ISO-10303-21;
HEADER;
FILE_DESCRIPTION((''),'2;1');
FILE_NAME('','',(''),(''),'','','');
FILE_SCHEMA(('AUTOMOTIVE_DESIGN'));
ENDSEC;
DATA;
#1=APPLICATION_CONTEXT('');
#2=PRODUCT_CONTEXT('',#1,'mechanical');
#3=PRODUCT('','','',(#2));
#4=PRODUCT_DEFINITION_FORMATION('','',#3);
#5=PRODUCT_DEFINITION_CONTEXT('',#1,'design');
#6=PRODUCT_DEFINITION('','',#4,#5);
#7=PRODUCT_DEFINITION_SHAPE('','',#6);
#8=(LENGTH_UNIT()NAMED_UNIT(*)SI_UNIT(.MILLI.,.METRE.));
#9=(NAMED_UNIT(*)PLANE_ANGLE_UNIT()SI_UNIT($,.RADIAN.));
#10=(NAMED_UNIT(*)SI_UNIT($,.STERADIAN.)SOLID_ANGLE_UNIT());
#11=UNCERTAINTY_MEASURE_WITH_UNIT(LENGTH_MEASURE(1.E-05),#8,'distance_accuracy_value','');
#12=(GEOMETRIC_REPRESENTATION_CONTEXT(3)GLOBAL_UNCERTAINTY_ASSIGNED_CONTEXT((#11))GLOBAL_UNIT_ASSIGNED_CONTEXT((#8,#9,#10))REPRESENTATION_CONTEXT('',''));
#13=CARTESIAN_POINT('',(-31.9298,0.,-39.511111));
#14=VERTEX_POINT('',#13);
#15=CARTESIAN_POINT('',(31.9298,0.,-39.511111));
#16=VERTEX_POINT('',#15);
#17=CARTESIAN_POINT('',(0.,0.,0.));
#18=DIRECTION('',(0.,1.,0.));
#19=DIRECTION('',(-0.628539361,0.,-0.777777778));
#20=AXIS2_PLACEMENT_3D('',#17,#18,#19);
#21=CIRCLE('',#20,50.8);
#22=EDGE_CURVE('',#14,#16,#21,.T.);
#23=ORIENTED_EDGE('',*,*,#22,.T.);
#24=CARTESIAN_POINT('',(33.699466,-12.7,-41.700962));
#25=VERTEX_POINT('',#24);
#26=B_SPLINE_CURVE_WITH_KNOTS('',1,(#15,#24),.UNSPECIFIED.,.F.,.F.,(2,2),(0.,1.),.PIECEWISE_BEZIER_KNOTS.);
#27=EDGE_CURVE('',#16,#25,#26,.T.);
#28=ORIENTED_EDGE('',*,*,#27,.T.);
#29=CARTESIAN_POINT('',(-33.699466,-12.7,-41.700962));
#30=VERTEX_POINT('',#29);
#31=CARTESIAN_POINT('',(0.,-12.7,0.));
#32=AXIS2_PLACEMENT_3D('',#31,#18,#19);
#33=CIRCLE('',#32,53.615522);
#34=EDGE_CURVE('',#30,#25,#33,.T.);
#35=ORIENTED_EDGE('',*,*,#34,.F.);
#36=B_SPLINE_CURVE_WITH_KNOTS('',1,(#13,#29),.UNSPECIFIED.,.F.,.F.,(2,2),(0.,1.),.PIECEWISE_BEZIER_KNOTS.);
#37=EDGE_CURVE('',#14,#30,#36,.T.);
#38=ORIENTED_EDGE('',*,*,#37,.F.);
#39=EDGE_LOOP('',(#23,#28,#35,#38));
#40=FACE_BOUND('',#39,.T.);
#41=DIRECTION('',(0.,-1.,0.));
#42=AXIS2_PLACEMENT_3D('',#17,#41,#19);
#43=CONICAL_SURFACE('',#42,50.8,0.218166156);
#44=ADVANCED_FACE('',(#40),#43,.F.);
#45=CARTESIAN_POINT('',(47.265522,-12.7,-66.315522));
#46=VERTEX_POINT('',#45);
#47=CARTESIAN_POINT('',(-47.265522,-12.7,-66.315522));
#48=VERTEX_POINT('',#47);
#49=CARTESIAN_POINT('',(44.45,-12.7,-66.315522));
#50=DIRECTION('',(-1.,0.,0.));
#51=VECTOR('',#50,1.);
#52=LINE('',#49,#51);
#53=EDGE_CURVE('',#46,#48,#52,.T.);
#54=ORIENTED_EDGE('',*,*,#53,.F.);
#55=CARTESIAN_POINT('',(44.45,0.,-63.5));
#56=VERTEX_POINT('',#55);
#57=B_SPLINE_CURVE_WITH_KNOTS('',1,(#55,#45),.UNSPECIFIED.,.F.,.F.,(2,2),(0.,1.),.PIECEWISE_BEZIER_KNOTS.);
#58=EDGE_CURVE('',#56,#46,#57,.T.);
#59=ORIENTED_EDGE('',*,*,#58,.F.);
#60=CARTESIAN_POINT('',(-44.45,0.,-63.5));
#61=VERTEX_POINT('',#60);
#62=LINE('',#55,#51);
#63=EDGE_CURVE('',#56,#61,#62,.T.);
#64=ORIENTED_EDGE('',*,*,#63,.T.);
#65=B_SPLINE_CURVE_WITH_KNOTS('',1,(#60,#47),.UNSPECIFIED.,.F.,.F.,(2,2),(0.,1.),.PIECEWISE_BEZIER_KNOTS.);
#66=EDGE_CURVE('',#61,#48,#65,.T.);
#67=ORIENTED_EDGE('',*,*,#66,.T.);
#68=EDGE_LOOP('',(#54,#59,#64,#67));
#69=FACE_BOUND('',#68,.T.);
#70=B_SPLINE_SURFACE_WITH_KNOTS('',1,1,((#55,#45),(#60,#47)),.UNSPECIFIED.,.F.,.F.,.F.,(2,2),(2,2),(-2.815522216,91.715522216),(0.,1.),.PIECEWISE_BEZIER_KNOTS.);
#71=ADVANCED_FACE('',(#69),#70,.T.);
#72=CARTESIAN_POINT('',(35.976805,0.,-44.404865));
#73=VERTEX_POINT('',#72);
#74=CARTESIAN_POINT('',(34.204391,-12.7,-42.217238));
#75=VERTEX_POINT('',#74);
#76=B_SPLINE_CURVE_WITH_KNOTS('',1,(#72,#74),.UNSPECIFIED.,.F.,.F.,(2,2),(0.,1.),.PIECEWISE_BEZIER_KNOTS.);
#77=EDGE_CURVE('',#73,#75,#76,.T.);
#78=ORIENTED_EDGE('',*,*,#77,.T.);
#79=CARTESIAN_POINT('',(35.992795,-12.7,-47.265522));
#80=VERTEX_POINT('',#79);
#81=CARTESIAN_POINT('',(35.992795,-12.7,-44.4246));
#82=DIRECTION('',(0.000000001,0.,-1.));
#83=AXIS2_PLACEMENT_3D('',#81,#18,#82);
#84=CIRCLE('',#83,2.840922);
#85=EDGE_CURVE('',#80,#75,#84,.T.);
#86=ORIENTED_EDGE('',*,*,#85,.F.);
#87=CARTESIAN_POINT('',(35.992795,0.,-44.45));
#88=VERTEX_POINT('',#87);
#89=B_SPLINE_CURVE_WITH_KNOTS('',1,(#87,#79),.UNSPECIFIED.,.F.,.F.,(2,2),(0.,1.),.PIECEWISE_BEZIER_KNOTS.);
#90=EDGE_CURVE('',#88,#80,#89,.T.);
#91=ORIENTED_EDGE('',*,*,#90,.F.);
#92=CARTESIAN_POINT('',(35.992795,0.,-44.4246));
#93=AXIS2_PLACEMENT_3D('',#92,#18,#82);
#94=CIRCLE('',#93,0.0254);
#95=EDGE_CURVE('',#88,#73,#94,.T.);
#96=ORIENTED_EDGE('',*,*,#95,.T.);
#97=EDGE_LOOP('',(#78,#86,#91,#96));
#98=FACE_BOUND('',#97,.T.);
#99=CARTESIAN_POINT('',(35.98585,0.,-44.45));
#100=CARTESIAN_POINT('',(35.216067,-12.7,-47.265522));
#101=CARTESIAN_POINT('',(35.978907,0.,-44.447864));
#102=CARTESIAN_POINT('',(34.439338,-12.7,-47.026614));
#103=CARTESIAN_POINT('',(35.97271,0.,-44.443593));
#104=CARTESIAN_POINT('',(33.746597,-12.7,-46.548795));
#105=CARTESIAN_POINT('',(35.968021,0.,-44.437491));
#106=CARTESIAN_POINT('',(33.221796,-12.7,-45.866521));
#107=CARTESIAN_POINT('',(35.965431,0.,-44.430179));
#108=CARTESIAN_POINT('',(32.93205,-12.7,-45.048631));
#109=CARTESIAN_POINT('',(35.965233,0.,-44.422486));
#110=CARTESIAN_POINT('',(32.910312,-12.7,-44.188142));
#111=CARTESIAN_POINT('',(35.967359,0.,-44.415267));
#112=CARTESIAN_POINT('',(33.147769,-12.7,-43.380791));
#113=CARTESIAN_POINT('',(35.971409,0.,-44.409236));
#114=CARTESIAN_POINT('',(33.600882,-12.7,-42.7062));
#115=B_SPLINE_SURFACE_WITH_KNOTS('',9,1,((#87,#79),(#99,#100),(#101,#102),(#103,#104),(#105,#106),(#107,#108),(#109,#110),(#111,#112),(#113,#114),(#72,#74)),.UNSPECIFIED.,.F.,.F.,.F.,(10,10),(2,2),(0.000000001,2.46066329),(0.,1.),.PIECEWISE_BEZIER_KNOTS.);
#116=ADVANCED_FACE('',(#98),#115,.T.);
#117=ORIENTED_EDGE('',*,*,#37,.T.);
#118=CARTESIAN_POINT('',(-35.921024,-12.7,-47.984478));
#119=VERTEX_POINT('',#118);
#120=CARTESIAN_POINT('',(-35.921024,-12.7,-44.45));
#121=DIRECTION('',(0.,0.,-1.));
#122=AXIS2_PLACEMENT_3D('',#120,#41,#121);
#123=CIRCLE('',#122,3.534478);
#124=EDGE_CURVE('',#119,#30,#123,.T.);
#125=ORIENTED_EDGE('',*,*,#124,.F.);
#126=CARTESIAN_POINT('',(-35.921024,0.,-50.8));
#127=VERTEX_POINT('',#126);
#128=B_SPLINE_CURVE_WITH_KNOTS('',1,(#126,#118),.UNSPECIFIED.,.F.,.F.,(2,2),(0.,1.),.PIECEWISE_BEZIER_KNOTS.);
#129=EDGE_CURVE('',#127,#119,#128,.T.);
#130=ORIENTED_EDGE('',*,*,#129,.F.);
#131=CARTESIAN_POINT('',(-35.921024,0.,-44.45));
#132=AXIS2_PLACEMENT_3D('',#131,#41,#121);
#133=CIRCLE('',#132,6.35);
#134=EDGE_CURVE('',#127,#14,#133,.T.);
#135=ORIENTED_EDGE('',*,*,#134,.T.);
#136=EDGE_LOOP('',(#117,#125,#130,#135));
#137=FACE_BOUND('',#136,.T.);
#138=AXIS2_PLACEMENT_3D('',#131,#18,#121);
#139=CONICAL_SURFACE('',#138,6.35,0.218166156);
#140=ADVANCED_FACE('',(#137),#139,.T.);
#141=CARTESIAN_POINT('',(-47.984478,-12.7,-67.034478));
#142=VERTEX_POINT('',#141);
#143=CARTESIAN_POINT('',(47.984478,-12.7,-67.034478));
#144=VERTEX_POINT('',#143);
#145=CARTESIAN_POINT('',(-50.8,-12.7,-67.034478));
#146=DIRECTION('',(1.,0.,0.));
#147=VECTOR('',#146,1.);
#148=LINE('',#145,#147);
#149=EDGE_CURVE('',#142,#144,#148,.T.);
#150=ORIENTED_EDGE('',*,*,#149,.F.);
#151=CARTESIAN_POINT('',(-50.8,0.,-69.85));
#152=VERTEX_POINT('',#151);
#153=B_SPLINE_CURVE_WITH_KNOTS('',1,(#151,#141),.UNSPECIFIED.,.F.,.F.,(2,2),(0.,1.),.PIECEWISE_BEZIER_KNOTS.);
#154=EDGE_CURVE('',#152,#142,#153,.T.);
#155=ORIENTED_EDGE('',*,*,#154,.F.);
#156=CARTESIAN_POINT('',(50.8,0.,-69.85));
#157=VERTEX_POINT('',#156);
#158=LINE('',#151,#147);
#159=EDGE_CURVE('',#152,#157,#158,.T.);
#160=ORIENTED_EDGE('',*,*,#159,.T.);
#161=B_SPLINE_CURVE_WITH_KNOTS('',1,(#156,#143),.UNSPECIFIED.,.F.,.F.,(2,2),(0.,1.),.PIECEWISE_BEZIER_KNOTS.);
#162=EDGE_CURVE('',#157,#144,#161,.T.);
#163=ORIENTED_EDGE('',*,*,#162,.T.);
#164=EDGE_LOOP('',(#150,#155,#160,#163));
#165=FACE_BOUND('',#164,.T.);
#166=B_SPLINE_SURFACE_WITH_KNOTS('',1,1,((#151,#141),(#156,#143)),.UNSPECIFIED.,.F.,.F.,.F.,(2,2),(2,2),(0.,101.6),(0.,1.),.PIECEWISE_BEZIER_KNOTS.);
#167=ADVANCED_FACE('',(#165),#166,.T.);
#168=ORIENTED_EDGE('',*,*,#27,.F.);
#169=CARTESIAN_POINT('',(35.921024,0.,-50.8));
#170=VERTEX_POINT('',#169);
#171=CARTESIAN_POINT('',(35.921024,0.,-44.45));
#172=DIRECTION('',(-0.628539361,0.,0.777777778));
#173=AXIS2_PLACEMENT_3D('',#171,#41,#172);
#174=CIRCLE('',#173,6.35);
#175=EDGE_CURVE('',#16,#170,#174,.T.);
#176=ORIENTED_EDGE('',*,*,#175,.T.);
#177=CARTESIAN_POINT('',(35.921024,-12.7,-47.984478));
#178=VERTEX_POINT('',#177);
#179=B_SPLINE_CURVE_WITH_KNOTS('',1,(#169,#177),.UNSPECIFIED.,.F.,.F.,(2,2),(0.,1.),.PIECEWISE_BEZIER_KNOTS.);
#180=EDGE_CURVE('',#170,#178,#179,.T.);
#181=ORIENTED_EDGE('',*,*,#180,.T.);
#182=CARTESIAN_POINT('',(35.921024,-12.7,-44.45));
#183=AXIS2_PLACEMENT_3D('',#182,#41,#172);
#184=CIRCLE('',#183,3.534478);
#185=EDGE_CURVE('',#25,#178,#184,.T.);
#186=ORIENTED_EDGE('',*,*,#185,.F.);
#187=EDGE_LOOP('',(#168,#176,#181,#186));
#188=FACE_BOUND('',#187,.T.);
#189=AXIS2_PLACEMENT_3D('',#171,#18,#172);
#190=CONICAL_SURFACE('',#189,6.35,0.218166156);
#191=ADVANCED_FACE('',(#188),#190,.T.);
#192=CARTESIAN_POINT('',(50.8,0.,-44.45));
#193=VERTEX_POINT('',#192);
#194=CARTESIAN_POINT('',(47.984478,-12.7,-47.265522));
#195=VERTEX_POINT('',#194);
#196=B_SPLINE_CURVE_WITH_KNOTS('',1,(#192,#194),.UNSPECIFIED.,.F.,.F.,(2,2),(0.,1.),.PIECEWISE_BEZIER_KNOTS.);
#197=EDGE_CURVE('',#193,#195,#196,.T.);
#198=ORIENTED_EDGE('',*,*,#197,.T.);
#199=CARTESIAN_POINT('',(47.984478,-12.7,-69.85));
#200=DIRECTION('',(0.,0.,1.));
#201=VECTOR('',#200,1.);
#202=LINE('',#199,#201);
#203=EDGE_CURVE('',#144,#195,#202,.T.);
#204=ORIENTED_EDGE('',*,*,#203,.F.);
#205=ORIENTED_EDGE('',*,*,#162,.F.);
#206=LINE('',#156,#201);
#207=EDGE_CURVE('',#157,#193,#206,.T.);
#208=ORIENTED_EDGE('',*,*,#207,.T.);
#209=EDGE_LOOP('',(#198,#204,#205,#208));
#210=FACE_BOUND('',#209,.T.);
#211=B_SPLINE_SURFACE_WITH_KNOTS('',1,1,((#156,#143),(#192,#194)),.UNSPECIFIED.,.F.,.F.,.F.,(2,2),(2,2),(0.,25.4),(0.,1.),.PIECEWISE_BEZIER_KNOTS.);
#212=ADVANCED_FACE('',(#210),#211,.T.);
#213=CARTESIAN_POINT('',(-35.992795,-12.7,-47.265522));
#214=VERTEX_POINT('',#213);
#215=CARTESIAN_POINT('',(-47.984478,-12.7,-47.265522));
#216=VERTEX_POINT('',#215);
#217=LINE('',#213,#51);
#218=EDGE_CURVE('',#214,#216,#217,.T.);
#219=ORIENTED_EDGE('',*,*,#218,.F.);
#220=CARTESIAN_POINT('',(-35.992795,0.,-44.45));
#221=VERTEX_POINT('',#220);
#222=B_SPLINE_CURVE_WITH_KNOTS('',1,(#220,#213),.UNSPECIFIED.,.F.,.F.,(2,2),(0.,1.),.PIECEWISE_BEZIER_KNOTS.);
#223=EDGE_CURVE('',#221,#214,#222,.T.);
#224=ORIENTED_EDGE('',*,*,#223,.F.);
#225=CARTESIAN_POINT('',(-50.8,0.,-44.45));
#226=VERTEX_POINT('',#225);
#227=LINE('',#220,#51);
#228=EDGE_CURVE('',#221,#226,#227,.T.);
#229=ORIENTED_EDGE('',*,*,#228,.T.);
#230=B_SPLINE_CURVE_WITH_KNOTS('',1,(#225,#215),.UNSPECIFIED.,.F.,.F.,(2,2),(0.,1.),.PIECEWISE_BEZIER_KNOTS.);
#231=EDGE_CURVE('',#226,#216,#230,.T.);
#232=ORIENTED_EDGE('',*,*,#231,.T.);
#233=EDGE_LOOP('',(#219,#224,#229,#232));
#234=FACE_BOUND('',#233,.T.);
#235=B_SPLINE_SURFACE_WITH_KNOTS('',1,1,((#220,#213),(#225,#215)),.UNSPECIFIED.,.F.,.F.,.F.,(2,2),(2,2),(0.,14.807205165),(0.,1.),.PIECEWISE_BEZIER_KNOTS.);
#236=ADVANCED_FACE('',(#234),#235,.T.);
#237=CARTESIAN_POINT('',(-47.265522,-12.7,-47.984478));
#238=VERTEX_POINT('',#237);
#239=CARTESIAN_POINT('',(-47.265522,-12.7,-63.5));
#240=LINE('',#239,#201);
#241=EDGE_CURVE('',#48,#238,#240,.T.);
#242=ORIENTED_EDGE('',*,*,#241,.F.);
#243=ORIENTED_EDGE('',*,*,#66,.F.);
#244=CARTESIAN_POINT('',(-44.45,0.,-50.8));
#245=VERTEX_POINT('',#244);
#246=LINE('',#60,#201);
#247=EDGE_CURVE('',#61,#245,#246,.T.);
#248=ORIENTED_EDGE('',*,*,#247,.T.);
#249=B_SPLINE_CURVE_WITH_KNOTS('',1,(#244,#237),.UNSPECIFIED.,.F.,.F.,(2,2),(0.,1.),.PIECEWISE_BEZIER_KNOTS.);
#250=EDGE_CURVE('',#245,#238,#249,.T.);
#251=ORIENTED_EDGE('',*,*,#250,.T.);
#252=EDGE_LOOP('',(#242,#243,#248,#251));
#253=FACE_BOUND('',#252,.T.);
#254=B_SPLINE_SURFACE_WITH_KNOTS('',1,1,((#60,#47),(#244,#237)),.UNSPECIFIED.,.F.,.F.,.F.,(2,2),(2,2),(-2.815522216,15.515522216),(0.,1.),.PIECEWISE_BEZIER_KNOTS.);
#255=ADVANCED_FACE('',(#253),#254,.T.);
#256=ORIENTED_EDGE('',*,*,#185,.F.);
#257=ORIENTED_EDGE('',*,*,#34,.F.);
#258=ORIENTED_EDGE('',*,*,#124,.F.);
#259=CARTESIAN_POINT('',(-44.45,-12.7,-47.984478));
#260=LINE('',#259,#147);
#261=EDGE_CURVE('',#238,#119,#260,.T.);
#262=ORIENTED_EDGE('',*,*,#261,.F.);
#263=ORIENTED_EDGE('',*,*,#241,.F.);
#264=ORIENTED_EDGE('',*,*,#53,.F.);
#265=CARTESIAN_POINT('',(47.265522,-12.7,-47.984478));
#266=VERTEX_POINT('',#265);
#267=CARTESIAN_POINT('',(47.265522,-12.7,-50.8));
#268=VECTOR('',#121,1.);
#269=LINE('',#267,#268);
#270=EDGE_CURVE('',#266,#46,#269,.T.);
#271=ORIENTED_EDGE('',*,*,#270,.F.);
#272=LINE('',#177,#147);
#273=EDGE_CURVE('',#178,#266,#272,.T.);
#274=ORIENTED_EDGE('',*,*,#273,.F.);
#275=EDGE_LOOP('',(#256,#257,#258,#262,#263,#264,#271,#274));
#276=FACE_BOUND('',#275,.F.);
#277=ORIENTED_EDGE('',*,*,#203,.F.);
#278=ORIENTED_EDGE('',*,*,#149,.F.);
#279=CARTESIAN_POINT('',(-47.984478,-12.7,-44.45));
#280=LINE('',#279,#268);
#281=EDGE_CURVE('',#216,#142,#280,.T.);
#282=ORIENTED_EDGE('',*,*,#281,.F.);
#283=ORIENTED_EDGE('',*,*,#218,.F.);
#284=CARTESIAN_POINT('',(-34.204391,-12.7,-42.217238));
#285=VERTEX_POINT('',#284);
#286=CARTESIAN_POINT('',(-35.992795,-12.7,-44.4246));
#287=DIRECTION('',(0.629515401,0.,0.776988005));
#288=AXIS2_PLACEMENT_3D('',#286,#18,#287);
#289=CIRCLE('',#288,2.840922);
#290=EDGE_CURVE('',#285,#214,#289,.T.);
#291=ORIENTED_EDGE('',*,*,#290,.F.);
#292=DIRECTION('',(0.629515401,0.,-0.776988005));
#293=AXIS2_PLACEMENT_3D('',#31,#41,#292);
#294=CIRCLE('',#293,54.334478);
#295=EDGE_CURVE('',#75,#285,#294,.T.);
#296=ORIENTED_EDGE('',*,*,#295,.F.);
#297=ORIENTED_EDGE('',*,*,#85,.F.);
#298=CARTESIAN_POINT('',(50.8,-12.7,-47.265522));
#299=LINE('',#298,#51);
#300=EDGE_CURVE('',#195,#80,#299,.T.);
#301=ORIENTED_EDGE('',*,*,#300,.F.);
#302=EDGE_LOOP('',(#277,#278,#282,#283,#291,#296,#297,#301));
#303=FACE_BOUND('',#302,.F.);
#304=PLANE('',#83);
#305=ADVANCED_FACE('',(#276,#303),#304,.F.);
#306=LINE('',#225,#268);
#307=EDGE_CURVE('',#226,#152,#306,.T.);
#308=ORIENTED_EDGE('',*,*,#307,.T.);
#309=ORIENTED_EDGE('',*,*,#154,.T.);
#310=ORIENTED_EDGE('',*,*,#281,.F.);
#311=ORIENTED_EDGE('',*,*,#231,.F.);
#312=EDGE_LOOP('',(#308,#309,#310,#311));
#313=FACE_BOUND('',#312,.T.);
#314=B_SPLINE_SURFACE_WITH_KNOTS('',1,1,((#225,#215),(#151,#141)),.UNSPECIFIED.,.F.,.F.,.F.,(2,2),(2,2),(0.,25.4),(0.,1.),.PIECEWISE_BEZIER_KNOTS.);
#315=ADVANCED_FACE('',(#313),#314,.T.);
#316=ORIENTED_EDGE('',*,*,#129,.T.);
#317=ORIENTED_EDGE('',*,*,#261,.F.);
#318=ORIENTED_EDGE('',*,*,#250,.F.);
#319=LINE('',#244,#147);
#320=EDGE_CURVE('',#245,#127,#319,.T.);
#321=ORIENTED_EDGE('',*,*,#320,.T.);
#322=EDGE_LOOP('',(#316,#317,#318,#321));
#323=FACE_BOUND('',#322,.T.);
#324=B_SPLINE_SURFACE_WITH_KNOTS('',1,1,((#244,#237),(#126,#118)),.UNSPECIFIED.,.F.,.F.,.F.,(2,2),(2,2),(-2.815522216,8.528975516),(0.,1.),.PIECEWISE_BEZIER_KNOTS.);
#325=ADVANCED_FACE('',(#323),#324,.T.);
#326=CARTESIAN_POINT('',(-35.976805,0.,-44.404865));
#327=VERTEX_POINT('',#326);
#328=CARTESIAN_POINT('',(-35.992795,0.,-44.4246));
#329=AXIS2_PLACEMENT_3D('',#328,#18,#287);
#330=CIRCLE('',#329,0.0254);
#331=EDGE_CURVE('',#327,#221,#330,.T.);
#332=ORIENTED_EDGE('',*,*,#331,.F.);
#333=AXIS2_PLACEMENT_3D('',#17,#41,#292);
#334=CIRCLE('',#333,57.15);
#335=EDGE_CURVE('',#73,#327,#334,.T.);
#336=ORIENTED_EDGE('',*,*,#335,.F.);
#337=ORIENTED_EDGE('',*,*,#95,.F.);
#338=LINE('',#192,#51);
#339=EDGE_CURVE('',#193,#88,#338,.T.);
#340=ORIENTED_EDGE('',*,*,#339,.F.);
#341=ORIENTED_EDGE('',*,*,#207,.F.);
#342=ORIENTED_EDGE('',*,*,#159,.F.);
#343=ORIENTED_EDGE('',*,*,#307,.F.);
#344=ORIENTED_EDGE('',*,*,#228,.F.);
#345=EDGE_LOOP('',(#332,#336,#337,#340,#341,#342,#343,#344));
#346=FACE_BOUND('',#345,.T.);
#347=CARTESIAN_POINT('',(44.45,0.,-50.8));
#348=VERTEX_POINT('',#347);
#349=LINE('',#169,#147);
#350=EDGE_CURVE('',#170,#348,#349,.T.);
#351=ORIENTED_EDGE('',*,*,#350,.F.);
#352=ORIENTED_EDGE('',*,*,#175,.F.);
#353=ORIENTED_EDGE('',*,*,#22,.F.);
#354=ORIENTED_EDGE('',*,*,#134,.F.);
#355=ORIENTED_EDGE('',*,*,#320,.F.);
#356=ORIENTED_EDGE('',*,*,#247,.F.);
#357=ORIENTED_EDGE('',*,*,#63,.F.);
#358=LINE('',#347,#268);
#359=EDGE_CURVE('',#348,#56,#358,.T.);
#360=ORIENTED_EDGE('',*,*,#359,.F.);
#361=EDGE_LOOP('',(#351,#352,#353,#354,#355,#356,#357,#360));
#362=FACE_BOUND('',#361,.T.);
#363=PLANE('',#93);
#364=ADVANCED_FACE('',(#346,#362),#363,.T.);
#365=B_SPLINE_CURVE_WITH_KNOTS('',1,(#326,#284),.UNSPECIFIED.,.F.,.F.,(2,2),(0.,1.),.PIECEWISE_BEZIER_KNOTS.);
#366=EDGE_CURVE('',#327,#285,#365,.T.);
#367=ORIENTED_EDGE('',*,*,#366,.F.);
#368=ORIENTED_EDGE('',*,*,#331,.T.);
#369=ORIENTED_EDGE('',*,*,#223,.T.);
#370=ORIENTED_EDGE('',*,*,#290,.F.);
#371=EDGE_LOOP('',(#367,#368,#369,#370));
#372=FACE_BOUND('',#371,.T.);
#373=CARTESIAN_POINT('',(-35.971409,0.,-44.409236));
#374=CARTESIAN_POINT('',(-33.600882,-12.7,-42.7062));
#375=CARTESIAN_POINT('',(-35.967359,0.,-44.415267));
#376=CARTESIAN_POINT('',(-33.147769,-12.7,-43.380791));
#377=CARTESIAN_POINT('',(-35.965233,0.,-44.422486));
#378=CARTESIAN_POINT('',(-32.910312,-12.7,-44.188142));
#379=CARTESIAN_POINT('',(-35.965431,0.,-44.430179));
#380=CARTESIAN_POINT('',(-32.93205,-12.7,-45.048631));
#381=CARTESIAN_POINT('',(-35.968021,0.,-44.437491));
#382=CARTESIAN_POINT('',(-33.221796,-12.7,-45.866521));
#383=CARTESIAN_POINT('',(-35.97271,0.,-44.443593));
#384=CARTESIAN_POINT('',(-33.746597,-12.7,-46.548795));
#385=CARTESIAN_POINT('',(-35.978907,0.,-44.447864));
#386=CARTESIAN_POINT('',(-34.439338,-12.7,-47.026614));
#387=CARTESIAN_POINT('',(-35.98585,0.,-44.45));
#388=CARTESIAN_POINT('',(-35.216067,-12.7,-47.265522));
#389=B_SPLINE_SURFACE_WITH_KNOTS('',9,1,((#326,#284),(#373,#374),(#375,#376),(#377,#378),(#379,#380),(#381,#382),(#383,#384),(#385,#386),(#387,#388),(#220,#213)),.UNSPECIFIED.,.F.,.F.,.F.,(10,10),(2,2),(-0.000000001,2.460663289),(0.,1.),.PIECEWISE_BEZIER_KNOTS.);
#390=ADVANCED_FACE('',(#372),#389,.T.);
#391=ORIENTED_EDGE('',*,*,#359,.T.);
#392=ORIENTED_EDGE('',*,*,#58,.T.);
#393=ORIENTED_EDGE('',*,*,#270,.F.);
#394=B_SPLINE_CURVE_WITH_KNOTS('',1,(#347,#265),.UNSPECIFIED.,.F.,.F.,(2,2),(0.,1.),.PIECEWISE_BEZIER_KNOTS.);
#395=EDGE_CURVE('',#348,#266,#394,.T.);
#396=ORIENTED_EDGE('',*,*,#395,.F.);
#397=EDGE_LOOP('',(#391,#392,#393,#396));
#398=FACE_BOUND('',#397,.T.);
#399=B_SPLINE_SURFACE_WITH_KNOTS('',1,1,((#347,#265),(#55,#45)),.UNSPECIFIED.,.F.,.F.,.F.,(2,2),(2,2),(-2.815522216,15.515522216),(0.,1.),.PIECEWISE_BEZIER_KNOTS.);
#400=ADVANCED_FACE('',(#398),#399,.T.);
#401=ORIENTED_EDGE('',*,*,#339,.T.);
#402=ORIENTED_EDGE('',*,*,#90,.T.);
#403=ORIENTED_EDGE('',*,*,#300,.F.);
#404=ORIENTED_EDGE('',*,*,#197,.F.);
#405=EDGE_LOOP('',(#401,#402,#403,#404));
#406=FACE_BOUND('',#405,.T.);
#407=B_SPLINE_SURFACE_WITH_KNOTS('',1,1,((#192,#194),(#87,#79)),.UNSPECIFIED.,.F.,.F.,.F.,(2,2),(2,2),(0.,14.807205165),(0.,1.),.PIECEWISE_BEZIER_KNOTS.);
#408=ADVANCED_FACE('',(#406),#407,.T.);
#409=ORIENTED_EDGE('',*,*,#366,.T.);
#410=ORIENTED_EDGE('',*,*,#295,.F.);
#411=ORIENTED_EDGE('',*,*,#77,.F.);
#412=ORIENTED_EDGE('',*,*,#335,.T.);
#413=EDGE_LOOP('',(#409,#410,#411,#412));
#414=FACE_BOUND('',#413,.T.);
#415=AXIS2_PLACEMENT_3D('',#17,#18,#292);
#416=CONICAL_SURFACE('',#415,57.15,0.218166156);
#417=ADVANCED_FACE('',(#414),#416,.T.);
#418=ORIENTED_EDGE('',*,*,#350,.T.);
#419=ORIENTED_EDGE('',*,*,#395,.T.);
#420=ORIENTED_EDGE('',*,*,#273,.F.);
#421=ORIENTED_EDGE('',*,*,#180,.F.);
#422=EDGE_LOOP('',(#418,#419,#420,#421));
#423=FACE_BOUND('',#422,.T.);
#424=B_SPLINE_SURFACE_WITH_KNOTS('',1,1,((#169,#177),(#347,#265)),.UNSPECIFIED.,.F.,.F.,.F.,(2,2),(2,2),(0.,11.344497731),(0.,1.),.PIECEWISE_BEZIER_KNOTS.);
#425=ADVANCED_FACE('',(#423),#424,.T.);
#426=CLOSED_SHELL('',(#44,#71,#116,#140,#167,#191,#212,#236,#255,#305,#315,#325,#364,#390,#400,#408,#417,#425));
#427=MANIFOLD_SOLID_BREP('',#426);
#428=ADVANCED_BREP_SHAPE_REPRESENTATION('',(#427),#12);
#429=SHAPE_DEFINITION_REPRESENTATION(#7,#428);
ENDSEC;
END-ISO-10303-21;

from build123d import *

# Parameters (mm, degrees)
F1_DEPTH = 12.7
F1_TAPER = 12.5


with BuildPart() as f1:
    # F0 (on Front) → F1 (new body)
    with BuildSketch(Plane.XZ):
        with BuildLine():
            Line((50.8, -44.45), (35.9927948345, -44.45))
            ThreePointArc((35.9927948345, -44.45), (35.9688528047, -44.4330816985), (35.9768051433, -44.4048645047))
            ThreePointArc((35.9768051433, -44.4048645047), (0, 57.15), (-35.9768051433, -44.4048645047))
            ThreePointArc((-35.9768051433, -44.4048645047), (-35.9688528047, -44.4330816985), (-35.9927948345, -44.45))
            Line((-35.9927948345, -44.45), (-50.8, -44.45))
            Line((-50.8, -44.45), (-50.8, -69.85))
            Line((-50.8, -69.85), (50.8, -69.85))
            Line((50.8, -69.85), (50.8, -44.45))
        make_face()
        with BuildLine():
            ThreePointArc((-31.9297995416, -39.5111111111), (0, 50.8), (31.9297995416, -39.5111111111))
            ThreePointArc((31.9297995416, -39.5111111111), (29.9341870702, -46.5666666667), (35.9210244843, -50.8))
            Line((35.9210244843, -50.8), (44.45, -50.8))
            Line((44.45, -50.8), (44.45, -63.5))
            Line((44.45, -63.5), (-44.45, -63.5))
            Line((-44.45, -63.5), (-44.45, -50.8))
            Line((-44.45, -50.8), (-35.9210244843, -50.8))
            ThreePointArc((-35.9210244843, -50.8), (-29.9341870702, -46.5666666667), (-31.9297995416, -39.5111111111))
        make_face(mode=Mode.SUBTRACT)
    extrude(amount=F1_DEPTH, taper=F1_TAPER)


solid = f1.part
